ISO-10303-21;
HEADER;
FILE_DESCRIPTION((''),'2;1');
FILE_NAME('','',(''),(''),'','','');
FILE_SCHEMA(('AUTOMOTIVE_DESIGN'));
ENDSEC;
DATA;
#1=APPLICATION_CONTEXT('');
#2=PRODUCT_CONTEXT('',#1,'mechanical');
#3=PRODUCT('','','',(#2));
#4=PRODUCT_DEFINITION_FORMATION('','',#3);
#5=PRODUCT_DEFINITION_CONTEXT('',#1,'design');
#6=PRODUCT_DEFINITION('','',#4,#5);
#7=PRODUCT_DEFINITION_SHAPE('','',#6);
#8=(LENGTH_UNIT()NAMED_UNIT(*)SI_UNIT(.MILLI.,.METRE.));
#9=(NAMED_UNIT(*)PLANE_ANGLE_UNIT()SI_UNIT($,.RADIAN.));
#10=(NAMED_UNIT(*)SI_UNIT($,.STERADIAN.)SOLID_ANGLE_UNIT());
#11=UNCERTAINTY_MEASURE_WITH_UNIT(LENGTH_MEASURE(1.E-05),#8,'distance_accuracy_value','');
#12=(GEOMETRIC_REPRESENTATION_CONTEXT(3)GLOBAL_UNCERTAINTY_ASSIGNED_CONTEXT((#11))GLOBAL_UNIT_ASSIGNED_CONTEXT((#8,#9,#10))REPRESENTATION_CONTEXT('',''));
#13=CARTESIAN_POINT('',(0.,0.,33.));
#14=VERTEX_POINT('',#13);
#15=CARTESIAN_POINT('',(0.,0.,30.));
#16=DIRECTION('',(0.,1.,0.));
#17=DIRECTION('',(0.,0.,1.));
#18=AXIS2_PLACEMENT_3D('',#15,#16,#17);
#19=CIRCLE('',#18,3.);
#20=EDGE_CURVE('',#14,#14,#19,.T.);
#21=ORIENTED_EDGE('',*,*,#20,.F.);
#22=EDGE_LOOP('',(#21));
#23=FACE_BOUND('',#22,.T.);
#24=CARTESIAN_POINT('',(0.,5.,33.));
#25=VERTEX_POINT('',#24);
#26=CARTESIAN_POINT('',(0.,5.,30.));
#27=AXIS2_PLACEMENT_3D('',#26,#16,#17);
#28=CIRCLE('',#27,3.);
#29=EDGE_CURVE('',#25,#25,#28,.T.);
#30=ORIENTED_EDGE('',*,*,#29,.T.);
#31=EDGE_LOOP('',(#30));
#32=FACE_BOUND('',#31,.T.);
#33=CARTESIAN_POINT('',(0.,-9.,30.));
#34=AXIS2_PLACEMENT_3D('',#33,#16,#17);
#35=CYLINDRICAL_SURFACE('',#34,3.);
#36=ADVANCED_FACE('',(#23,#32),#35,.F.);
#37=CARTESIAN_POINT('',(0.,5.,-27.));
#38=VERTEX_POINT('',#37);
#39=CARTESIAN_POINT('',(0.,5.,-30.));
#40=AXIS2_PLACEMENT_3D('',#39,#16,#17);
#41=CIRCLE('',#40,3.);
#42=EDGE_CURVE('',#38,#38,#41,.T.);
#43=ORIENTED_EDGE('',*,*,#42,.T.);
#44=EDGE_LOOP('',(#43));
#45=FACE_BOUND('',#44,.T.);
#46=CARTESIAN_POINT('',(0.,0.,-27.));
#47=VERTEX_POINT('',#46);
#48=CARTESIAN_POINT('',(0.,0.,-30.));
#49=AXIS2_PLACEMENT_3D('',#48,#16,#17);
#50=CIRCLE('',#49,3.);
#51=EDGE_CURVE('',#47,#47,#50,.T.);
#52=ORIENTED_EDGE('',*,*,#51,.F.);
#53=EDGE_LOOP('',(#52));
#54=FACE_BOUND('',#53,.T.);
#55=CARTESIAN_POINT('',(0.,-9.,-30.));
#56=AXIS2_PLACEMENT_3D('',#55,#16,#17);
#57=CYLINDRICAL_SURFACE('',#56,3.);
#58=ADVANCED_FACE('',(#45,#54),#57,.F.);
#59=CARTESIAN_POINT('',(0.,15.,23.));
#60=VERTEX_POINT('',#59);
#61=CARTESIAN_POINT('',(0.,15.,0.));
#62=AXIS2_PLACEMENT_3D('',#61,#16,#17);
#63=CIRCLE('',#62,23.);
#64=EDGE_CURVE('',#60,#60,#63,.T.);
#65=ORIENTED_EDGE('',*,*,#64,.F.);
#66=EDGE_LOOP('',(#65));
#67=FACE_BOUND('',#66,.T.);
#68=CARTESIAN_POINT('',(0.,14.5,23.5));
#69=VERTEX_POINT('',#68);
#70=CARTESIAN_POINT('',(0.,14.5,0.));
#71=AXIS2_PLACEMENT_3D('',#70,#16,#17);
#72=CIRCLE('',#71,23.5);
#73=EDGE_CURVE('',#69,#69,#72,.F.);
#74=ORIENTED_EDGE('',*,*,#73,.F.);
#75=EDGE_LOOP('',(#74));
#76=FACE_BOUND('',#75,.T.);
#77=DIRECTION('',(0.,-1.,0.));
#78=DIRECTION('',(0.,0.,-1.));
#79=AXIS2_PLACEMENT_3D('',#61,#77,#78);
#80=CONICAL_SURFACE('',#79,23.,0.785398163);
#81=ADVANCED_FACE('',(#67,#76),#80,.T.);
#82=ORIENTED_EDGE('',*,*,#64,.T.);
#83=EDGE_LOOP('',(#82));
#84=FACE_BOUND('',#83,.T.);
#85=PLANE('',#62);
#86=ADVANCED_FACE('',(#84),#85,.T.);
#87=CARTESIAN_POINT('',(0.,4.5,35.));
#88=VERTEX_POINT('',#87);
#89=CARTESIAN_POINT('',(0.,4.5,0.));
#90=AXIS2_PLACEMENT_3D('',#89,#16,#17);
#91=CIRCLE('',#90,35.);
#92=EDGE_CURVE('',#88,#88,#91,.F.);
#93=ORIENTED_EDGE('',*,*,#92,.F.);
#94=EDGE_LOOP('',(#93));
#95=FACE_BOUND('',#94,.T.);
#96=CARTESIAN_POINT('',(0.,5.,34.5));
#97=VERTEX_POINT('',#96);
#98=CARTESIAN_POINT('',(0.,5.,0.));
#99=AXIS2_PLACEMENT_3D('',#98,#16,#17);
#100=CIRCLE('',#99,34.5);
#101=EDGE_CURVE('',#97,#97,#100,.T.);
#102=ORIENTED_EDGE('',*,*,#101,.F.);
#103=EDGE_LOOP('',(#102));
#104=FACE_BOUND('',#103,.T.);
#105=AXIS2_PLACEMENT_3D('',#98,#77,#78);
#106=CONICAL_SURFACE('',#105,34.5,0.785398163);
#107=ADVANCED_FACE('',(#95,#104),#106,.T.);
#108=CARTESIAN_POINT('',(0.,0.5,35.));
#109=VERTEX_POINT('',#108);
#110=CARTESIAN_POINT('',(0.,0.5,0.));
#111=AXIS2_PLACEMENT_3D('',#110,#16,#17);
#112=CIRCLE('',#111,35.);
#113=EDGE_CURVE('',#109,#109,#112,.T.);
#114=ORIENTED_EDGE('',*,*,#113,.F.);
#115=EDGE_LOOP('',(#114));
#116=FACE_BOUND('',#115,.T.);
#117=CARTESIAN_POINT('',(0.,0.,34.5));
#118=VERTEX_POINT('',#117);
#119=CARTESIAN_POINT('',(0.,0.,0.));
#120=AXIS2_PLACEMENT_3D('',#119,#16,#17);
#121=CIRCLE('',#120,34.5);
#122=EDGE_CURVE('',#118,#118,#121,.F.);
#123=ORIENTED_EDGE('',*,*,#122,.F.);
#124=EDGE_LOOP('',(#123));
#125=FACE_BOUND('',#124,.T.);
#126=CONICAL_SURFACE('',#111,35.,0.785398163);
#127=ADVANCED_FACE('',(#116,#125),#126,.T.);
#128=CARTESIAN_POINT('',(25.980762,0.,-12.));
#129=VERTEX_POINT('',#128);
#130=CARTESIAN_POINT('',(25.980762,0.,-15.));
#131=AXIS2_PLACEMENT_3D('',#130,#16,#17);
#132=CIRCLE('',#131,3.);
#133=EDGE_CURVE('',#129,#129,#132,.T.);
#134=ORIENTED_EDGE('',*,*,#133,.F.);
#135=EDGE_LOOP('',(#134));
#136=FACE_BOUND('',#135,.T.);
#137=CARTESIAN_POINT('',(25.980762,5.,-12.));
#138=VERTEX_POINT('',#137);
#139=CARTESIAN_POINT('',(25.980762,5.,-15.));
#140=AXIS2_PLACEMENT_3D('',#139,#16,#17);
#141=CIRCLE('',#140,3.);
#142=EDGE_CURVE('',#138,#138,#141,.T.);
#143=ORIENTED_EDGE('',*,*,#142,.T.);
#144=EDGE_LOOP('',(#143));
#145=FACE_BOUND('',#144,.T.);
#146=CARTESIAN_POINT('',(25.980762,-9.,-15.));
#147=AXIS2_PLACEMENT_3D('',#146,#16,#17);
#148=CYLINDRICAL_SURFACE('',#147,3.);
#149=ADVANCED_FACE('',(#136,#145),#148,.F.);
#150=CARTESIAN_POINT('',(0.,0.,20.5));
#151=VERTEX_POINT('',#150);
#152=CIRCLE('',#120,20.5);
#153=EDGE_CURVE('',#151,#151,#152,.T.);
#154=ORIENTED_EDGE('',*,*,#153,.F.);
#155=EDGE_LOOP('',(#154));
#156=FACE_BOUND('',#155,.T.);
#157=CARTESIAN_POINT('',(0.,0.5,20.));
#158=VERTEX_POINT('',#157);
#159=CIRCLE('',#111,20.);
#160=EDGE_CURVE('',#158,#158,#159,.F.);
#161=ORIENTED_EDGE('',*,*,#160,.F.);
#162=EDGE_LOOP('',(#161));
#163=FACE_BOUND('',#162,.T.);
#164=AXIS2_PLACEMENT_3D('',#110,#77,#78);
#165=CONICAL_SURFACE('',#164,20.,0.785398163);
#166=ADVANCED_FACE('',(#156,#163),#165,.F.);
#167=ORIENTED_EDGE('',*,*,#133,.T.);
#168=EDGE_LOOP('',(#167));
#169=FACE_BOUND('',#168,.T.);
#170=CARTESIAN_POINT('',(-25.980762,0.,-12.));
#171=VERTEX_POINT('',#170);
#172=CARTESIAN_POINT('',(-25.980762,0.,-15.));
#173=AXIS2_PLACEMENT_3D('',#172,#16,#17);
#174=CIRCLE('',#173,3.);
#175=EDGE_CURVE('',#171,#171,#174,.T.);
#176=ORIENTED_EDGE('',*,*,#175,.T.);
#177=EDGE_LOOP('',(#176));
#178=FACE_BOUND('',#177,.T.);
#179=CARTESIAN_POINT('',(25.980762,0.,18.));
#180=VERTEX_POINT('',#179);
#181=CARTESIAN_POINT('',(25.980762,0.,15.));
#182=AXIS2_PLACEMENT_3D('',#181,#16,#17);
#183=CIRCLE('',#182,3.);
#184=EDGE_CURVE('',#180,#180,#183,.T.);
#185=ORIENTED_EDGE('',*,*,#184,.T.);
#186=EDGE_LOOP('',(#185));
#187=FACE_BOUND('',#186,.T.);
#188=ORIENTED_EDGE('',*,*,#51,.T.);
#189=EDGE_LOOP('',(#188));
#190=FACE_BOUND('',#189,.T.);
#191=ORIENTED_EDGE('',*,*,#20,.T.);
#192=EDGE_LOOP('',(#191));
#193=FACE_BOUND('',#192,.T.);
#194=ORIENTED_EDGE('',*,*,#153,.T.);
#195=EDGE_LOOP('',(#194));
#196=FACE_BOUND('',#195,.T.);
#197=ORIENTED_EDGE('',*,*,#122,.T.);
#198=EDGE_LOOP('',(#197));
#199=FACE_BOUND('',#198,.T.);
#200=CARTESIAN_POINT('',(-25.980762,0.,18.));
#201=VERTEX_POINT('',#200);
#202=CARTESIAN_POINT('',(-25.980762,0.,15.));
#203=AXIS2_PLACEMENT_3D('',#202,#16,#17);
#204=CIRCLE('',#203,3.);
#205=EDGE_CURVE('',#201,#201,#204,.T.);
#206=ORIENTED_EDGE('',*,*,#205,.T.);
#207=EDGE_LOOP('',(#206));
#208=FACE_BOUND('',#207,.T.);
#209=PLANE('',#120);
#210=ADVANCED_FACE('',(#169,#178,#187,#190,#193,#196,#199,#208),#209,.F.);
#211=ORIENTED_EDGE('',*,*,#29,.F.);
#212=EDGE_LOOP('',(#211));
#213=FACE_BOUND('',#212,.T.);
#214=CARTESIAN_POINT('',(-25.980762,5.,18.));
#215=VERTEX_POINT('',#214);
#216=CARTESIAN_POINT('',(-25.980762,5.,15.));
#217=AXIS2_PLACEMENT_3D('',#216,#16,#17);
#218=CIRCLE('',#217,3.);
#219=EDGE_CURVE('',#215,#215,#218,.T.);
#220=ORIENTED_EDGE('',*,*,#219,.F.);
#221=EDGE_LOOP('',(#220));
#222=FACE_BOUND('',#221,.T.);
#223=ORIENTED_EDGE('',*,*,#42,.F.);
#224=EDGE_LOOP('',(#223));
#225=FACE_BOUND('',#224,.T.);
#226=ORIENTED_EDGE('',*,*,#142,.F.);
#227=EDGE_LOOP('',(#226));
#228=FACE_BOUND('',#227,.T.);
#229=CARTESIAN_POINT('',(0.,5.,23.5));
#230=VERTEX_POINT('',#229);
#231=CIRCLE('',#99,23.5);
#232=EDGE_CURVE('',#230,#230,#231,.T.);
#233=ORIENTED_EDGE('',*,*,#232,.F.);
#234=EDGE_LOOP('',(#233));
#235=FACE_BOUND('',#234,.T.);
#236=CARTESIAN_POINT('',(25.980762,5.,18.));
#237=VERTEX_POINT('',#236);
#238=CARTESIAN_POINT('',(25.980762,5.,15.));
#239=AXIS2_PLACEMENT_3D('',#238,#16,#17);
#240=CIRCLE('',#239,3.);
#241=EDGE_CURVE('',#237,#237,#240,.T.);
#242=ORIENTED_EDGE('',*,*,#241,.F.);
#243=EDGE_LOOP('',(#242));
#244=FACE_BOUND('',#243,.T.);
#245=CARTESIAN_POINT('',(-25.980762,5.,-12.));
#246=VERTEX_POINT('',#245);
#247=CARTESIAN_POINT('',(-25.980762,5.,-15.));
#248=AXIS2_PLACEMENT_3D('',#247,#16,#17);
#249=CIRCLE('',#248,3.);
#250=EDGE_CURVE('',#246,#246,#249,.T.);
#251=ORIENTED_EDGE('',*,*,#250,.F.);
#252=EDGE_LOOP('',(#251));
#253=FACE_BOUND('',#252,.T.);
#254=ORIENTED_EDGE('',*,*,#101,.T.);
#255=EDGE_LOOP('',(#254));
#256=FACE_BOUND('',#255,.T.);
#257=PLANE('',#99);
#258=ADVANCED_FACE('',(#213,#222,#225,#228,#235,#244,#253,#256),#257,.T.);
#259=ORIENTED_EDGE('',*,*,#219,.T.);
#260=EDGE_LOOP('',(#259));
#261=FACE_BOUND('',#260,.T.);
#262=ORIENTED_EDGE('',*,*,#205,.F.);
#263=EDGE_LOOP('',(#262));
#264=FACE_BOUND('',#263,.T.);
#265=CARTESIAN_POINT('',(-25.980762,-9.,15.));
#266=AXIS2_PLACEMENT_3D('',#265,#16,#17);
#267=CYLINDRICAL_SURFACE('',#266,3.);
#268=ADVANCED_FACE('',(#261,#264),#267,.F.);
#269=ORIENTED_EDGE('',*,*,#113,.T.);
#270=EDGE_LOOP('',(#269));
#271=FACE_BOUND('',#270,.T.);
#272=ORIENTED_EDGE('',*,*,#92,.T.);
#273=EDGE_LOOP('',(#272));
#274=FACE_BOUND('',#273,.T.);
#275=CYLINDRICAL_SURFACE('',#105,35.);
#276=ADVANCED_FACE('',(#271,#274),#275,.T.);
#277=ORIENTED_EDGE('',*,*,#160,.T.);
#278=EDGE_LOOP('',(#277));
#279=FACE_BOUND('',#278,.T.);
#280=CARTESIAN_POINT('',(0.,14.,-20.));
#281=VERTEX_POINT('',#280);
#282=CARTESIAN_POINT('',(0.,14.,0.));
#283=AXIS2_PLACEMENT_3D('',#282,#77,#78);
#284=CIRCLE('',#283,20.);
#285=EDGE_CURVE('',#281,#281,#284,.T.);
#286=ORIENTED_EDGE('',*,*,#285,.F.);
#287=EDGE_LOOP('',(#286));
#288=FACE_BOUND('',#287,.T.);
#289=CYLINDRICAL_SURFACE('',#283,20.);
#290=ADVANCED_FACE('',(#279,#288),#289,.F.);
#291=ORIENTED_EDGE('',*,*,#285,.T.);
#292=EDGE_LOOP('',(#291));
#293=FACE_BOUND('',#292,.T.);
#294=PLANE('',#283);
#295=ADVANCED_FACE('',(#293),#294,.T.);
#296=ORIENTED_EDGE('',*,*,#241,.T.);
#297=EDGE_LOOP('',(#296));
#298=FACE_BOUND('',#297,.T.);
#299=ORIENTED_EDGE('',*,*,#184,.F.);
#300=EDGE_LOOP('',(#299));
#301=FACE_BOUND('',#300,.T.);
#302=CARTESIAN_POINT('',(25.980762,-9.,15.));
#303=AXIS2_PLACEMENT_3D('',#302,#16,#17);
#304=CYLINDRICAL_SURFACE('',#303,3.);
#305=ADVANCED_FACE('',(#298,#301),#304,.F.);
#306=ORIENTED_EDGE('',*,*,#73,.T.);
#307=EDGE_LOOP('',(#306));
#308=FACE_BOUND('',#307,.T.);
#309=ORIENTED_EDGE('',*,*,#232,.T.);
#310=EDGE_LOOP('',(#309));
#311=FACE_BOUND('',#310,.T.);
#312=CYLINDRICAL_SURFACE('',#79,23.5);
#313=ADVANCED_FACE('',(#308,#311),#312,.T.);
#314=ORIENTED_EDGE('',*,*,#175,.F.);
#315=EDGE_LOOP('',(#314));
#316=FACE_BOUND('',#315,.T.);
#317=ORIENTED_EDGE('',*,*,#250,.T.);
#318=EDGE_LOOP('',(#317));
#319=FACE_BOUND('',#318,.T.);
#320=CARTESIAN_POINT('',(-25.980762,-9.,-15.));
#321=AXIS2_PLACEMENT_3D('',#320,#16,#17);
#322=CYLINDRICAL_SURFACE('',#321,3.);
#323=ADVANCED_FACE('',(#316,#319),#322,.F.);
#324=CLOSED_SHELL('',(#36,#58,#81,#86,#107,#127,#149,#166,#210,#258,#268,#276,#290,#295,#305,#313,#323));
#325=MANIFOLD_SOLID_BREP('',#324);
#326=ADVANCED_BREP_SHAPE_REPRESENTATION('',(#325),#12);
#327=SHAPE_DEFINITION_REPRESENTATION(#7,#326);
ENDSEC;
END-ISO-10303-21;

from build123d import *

# Parameters (mm, degrees)
SKETCH_1_R          = 35
EXTRUDE_1_DEPTH     = 5
SKETCH_2_R          = 23.5
EXTRUDE_2_DEPTH     = 10
SKETCH_3_R          = 20
CUT_EXTRUDE_1_DEPTH = 14
SKETCH_4_R          = 3
CUT_EXTRUDE_2_DEPTH = 14
CHAMFER_1_SIZE      = 0.5


with BuildPart() as part:
    # 草图1 → 凸台-拉伸1 (new body)
    with BuildSketch(Plane(origin=(0, 0, 0), x_dir=(1, 0, 0), z_dir=(0, 1, 0))):
        with Locations(Location((0, 0, 0), (0, 0, 270))):
            Circle(SKETCH_1_R)
    extrude(amount=EXTRUDE_1_DEPTH)

    # 草图2 → 凸台-拉伸2 (add)
    with BuildSketch(Plane(origin=(0, 5, 0), x_dir=(1, 0, 0), z_dir=(0, 1, 0))):
        with Locations(Location((0, 0, 0), (0, 0, 270))):
            Circle(SKETCH_2_R)
    extrude(amount=EXTRUDE_2_DEPTH)

    # 草图3 → 切除-拉伸1 (cut)
    with BuildSketch(Plane.XZ):
        with Locations(Location((0, 0, 0), (0, 0, 270))):
            Circle(SKETCH_3_R)
    extrude(amount=-CUT_EXTRUDE_1_DEPTH, mode=Mode.SUBTRACT)

    # 草图4 → 切除-拉伸2 (cut)
    with BuildSketch(Plane(origin=(0, 5, 0), x_dir=(1, 0, 0), z_dir=(0, 1, 0))):
        with Locations(Location((0, 30, 0), (0, 0, 270))):
            Circle(SKETCH_4_R)
        with Locations(Location((25.980762114, 15, 0), (0, 0, 270))):
            Circle(SKETCH_4_R)
        with Locations(Location((25.980762114, -15, 0), (0, 0, 270))):
            Circle(SKETCH_4_R)
        with Locations(Location((0, -30, 0), (0, 0, 270))):
            Circle(SKETCH_4_R)
        with Locations(Location((-25.980762114, -15, 0), (0, 0, 270))):
            Circle(SKETCH_4_R)
        with Locations(Location((-25.980762114, 15, 0), (0, 0, 270))):
            Circle(SKETCH_4_R)
    extrude(amount=-CUT_EXTRUDE_2_DEPTH, mode=Mode.SUBTRACT)

    # Chamfer 1
    chamfer_1_edges = [part.edges().sort_by_distance(p)[0] for p in [
        (0, 0, 20),
        (0, 0, -35),
        (0, 5, -35),
        (0, 15, -23.5),
    ]]
    chamfer(chamfer_1_edges, length=CHAMFER_1_SIZE)


solid = part.part
